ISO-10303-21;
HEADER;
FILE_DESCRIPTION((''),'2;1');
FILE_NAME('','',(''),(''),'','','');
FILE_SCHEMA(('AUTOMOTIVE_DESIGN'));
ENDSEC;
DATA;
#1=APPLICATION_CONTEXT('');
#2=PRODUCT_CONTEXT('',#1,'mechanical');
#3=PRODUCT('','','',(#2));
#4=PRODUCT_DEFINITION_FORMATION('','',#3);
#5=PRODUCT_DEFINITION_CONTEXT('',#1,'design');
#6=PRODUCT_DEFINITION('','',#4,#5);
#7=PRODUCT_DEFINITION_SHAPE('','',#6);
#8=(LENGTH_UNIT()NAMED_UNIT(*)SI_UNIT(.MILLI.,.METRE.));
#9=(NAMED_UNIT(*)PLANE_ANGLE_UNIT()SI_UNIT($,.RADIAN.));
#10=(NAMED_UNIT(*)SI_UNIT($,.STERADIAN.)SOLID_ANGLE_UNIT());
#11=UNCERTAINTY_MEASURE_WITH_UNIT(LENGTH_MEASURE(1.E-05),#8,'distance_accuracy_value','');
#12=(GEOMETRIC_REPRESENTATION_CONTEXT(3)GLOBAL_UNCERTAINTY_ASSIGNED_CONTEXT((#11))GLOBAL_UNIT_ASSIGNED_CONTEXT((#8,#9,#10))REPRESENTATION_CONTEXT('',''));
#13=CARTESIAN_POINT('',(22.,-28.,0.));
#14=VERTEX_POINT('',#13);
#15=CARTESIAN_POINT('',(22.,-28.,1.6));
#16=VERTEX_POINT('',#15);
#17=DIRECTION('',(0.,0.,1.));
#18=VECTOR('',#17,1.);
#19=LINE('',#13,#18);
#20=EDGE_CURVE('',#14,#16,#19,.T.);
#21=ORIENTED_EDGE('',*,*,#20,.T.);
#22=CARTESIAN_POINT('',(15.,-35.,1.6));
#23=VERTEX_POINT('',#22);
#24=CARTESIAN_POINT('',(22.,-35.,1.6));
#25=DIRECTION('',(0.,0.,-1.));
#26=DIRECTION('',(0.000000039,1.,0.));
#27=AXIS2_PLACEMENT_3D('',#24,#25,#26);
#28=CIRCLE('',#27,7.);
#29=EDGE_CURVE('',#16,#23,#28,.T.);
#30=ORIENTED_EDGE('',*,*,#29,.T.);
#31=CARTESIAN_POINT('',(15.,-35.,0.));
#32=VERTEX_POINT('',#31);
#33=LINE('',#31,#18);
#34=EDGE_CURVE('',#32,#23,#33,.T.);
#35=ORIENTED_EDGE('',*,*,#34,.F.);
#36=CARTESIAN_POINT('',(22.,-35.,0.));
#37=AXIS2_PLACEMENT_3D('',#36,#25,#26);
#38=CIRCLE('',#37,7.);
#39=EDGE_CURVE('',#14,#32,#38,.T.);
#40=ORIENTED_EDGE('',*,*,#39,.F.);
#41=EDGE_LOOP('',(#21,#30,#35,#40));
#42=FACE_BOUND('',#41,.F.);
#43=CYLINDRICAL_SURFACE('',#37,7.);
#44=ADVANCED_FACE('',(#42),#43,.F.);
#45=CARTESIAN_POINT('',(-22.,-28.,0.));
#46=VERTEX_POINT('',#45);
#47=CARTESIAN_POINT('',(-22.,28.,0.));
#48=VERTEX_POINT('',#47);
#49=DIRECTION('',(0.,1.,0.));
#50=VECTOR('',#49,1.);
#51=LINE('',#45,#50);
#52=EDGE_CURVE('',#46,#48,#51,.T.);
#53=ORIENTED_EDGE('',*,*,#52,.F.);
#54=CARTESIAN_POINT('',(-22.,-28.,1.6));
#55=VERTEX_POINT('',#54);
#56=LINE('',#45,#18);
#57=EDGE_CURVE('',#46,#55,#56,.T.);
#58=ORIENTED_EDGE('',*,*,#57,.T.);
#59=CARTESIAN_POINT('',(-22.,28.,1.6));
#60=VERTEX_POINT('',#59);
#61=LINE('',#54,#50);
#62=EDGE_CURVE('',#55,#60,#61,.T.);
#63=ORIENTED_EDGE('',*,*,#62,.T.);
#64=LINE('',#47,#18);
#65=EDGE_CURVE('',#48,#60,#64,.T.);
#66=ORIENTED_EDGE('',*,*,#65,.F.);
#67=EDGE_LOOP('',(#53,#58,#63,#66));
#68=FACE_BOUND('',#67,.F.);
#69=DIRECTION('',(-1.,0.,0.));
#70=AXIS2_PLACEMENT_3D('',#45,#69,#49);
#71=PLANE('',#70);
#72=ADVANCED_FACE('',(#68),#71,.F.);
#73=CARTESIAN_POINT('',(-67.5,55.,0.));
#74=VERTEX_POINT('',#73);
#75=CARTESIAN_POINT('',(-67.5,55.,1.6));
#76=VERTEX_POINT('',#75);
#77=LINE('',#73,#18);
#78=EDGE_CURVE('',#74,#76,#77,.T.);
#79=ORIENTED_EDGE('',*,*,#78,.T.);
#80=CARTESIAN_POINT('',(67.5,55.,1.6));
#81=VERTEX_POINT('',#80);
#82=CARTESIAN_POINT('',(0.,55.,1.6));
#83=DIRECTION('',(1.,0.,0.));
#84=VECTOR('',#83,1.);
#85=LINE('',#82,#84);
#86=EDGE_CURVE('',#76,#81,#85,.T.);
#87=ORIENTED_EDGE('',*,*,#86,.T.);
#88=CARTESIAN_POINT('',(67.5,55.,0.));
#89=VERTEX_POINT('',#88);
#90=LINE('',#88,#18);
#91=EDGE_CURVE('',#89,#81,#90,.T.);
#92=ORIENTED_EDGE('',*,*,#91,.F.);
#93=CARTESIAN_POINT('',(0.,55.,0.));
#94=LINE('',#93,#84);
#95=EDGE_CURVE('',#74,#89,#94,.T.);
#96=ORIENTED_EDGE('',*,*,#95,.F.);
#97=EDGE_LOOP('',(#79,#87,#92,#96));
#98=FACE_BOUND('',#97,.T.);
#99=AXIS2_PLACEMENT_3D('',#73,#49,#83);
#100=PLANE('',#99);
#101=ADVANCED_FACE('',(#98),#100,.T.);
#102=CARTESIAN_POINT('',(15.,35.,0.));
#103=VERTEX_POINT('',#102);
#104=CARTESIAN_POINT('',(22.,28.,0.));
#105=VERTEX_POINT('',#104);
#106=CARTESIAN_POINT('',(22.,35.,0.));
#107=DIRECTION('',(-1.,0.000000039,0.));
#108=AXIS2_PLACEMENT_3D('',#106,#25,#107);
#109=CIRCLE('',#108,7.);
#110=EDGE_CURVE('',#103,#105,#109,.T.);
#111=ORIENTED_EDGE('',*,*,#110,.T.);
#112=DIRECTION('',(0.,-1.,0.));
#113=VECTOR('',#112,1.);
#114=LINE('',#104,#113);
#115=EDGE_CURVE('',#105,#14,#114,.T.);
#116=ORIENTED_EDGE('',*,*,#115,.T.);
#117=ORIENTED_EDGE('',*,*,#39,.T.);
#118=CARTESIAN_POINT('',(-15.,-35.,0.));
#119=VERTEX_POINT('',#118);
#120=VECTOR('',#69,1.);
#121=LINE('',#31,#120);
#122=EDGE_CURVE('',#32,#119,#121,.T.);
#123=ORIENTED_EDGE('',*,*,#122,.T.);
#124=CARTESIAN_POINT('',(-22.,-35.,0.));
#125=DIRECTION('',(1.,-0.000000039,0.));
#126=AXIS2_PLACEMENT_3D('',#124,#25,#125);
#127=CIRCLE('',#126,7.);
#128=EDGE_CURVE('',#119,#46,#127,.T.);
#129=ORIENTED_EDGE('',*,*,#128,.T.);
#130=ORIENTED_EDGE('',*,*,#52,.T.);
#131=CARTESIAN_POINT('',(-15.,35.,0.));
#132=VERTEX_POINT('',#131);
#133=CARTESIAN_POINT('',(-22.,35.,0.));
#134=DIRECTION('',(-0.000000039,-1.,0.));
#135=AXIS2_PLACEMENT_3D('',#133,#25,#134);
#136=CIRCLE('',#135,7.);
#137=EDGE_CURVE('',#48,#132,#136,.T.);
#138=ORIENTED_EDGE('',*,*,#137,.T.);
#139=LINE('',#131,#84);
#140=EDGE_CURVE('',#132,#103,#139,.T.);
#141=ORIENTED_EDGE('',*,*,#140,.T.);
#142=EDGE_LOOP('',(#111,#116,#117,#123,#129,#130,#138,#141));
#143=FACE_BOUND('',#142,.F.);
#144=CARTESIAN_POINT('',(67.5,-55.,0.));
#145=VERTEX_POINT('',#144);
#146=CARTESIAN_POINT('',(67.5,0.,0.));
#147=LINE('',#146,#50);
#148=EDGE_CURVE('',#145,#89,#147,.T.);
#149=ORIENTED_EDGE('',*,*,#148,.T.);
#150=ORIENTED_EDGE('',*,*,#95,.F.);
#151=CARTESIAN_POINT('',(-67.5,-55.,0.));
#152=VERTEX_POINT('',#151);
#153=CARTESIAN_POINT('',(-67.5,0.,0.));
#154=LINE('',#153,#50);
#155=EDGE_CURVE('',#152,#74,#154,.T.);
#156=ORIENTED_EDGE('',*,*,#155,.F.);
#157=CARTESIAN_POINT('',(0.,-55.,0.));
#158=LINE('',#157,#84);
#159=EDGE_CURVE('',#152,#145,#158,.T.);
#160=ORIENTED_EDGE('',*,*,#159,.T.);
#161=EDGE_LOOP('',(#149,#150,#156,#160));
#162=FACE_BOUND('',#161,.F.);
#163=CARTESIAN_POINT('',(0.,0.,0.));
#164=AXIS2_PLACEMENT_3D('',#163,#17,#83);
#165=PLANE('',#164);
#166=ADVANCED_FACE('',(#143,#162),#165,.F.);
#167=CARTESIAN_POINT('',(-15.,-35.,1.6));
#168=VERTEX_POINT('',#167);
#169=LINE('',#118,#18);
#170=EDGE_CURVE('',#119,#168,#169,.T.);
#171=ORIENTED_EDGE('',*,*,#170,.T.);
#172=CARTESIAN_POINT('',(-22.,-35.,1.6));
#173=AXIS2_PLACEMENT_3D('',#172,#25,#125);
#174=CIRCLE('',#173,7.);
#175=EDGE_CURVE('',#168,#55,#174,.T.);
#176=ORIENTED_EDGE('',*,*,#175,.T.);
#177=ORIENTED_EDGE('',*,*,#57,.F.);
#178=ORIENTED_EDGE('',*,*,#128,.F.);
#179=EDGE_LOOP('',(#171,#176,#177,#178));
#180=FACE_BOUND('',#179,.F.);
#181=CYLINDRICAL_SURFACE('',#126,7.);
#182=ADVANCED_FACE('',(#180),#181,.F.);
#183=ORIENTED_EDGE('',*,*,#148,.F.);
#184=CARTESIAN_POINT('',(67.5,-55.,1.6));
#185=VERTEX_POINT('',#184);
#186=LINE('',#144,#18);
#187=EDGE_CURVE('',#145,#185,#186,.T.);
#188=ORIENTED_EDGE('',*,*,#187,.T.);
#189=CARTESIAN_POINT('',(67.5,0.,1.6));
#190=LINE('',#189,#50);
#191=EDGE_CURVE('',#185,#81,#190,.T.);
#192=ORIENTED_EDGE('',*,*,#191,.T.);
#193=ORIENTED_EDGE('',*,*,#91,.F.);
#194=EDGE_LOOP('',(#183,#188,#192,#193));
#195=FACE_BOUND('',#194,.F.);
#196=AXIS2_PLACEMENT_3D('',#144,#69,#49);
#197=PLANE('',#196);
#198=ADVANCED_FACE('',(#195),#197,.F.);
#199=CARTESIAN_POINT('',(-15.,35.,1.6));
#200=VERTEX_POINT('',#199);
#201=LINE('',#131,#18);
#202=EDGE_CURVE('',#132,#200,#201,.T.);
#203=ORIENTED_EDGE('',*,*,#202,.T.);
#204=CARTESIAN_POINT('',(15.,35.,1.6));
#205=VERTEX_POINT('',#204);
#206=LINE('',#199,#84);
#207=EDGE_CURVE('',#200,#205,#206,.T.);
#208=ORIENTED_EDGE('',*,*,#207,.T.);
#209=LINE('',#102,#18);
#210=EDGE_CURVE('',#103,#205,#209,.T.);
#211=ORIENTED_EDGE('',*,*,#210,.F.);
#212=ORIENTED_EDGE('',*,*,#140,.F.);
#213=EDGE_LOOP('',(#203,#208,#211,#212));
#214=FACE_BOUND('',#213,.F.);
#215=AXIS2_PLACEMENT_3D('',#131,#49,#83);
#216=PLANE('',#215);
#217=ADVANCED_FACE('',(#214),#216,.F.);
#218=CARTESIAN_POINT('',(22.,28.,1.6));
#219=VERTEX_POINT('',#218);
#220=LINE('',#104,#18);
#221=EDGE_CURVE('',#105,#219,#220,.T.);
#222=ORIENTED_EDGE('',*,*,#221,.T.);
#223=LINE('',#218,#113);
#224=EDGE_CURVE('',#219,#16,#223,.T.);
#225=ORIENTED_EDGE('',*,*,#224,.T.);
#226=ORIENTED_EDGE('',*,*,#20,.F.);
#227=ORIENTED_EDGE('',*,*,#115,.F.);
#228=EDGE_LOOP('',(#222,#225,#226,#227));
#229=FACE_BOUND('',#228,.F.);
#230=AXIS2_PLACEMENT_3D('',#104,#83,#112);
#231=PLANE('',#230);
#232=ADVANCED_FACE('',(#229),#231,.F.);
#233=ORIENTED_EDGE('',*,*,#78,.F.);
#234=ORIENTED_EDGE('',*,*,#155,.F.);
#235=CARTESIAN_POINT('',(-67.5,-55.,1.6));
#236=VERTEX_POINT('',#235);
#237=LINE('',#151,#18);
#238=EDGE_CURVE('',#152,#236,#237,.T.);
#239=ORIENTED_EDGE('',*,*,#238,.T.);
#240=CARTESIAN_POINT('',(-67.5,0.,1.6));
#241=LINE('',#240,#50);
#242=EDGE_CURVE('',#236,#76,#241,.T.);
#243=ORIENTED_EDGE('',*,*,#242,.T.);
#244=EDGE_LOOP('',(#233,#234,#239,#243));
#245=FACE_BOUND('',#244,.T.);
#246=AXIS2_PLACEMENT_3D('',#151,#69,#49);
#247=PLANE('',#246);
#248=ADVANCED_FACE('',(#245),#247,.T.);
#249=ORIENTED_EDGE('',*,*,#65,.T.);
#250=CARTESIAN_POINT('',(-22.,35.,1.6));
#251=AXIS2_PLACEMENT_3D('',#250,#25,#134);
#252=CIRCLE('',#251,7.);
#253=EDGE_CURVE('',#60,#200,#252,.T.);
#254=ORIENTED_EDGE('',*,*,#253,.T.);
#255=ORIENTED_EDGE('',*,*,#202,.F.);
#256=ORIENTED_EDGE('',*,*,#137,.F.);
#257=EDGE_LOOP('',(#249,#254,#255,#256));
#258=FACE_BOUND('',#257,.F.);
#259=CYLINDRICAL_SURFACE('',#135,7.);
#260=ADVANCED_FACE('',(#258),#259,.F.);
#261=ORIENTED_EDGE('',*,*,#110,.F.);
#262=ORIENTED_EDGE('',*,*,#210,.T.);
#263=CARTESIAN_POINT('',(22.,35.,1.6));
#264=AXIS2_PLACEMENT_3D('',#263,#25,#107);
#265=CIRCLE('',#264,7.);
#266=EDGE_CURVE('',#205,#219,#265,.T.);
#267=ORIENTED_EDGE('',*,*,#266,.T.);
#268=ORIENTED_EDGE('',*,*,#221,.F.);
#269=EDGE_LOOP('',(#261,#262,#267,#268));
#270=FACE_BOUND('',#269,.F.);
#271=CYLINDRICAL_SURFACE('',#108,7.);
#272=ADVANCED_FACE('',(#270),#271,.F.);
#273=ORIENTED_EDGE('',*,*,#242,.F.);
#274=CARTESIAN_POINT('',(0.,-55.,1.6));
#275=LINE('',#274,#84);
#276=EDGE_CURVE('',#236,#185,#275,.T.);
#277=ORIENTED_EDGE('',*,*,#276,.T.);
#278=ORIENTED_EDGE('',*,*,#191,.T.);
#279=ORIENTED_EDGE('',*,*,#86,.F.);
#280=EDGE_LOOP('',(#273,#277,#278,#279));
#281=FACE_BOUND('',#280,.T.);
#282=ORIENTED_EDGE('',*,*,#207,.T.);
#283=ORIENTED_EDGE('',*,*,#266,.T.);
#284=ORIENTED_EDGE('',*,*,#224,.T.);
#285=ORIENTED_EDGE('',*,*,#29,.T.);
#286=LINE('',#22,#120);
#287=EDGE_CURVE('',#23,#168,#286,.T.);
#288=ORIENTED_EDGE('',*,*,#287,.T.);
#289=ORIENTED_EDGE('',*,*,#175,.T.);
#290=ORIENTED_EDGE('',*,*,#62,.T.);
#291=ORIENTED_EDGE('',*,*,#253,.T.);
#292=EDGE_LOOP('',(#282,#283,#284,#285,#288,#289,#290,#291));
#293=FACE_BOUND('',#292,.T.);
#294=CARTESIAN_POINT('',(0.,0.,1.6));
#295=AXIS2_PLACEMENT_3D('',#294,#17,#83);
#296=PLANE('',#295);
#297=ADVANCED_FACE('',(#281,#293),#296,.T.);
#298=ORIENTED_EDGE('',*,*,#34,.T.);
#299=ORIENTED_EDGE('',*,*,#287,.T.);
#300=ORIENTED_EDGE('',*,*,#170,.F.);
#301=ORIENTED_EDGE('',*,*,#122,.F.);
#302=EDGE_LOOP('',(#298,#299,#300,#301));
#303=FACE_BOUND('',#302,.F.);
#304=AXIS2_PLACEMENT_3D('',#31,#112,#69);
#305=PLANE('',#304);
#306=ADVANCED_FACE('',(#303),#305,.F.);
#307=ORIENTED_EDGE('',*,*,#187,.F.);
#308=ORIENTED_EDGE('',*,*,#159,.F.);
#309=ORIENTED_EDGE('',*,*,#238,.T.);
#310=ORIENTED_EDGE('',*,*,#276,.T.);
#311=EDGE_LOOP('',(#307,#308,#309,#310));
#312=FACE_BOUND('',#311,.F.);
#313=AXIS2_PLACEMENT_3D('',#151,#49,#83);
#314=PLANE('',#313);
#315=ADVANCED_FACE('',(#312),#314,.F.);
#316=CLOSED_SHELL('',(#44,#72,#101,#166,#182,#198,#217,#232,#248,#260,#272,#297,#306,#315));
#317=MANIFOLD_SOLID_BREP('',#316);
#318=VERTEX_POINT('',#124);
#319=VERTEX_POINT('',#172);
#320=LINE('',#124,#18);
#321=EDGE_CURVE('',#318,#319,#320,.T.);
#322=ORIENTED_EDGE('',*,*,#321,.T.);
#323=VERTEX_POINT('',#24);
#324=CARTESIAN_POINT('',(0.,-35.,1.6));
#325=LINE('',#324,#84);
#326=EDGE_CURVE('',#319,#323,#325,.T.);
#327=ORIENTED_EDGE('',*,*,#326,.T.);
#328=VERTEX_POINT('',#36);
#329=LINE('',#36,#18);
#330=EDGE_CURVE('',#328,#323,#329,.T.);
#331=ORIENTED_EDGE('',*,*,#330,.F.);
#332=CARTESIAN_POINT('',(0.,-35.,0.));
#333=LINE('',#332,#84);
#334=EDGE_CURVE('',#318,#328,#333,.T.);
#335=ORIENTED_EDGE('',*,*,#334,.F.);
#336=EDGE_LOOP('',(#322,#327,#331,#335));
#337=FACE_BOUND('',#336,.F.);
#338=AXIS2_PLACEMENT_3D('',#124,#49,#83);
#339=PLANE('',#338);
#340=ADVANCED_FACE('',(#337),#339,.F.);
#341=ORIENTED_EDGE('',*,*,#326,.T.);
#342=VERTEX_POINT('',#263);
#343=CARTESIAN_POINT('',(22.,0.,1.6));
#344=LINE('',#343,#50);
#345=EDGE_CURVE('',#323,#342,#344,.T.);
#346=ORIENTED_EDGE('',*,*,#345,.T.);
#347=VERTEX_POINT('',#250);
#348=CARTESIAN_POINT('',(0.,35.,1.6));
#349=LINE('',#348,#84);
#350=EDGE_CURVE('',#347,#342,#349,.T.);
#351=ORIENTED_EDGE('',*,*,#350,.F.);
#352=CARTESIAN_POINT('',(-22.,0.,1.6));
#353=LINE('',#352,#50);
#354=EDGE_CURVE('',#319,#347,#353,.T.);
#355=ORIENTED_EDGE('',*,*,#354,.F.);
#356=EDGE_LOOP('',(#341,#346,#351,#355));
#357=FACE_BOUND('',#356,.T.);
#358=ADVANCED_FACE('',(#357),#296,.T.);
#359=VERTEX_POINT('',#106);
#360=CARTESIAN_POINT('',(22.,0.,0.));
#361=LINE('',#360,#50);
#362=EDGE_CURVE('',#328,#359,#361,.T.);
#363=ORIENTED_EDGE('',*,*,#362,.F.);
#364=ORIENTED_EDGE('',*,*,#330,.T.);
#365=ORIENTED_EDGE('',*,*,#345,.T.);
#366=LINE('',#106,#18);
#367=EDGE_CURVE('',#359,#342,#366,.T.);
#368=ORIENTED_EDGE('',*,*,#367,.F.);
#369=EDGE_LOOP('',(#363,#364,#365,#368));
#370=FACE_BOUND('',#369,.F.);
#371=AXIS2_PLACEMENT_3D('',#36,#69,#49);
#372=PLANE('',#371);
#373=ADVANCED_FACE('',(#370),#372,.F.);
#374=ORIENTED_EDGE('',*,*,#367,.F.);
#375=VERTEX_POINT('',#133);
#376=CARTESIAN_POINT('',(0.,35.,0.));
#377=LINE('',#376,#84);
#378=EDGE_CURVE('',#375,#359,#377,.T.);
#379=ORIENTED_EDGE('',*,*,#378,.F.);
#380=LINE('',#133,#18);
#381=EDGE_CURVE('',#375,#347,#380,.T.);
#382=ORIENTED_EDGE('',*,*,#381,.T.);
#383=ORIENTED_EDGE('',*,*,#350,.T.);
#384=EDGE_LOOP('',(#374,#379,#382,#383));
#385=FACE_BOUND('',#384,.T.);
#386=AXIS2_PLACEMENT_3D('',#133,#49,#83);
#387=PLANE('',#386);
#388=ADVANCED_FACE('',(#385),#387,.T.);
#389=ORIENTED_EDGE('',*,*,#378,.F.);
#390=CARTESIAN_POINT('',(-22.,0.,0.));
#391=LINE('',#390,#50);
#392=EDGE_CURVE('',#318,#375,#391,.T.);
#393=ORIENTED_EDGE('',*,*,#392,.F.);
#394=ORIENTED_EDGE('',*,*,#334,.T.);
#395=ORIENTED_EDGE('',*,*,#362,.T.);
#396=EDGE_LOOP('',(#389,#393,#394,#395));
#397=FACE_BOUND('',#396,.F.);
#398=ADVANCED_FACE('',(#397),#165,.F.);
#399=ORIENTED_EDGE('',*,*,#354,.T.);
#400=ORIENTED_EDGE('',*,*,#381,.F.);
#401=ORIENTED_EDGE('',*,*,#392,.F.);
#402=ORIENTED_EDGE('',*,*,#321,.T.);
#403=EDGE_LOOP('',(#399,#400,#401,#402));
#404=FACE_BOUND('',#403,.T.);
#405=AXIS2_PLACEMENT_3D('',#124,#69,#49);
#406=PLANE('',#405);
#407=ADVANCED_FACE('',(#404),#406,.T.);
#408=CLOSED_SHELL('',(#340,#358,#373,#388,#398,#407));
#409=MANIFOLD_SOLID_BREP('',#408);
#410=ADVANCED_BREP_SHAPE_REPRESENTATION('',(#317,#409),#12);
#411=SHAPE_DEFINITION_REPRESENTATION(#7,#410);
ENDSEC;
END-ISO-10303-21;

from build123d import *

# Parameters (mm, degrees)
F0_W     = 44
F0_H     = 70
F1_DEPTH = 1.6
F2_W     = 135
F2_H     = 110
F3_DEPTH = 1.6


with BuildPart() as f1:
    # F0 (on Top) → F1 (new body)
    with BuildSketch(Plane.XY):
        Rectangle(F0_W, F0_H)
    extrude(amount=F1_DEPTH)


with BuildPart() as f3:
    # F2 (on Top) → F3 (new body)
    with BuildSketch(Plane.XY):
        Rectangle(F2_W, F2_H)
        with BuildLine():
            Line((-22, -28), (-22, 28))
            ThreePointArc((-22, 28), (-26.949747, 39.949747), (-15, 35))
            Line((-15, 35), (15, 35))
            ThreePointArc((15, 35), (26.949747, 39.949747), (22, 28))
            Line((22, 28), (22, -28))
            ThreePointArc((22, -28), (26.949747, -39.949747), (15, -35))
            Line((15, -35), (-15, -35))
            ThreePointArc((-15, -35), (-26.949747, -39.949747), (-22, -28))
        make_face(mode=Mode.SUBTRACT)
    extrude(amount=F3_DEPTH)


solid = Compound([f1.part, f3.part])
